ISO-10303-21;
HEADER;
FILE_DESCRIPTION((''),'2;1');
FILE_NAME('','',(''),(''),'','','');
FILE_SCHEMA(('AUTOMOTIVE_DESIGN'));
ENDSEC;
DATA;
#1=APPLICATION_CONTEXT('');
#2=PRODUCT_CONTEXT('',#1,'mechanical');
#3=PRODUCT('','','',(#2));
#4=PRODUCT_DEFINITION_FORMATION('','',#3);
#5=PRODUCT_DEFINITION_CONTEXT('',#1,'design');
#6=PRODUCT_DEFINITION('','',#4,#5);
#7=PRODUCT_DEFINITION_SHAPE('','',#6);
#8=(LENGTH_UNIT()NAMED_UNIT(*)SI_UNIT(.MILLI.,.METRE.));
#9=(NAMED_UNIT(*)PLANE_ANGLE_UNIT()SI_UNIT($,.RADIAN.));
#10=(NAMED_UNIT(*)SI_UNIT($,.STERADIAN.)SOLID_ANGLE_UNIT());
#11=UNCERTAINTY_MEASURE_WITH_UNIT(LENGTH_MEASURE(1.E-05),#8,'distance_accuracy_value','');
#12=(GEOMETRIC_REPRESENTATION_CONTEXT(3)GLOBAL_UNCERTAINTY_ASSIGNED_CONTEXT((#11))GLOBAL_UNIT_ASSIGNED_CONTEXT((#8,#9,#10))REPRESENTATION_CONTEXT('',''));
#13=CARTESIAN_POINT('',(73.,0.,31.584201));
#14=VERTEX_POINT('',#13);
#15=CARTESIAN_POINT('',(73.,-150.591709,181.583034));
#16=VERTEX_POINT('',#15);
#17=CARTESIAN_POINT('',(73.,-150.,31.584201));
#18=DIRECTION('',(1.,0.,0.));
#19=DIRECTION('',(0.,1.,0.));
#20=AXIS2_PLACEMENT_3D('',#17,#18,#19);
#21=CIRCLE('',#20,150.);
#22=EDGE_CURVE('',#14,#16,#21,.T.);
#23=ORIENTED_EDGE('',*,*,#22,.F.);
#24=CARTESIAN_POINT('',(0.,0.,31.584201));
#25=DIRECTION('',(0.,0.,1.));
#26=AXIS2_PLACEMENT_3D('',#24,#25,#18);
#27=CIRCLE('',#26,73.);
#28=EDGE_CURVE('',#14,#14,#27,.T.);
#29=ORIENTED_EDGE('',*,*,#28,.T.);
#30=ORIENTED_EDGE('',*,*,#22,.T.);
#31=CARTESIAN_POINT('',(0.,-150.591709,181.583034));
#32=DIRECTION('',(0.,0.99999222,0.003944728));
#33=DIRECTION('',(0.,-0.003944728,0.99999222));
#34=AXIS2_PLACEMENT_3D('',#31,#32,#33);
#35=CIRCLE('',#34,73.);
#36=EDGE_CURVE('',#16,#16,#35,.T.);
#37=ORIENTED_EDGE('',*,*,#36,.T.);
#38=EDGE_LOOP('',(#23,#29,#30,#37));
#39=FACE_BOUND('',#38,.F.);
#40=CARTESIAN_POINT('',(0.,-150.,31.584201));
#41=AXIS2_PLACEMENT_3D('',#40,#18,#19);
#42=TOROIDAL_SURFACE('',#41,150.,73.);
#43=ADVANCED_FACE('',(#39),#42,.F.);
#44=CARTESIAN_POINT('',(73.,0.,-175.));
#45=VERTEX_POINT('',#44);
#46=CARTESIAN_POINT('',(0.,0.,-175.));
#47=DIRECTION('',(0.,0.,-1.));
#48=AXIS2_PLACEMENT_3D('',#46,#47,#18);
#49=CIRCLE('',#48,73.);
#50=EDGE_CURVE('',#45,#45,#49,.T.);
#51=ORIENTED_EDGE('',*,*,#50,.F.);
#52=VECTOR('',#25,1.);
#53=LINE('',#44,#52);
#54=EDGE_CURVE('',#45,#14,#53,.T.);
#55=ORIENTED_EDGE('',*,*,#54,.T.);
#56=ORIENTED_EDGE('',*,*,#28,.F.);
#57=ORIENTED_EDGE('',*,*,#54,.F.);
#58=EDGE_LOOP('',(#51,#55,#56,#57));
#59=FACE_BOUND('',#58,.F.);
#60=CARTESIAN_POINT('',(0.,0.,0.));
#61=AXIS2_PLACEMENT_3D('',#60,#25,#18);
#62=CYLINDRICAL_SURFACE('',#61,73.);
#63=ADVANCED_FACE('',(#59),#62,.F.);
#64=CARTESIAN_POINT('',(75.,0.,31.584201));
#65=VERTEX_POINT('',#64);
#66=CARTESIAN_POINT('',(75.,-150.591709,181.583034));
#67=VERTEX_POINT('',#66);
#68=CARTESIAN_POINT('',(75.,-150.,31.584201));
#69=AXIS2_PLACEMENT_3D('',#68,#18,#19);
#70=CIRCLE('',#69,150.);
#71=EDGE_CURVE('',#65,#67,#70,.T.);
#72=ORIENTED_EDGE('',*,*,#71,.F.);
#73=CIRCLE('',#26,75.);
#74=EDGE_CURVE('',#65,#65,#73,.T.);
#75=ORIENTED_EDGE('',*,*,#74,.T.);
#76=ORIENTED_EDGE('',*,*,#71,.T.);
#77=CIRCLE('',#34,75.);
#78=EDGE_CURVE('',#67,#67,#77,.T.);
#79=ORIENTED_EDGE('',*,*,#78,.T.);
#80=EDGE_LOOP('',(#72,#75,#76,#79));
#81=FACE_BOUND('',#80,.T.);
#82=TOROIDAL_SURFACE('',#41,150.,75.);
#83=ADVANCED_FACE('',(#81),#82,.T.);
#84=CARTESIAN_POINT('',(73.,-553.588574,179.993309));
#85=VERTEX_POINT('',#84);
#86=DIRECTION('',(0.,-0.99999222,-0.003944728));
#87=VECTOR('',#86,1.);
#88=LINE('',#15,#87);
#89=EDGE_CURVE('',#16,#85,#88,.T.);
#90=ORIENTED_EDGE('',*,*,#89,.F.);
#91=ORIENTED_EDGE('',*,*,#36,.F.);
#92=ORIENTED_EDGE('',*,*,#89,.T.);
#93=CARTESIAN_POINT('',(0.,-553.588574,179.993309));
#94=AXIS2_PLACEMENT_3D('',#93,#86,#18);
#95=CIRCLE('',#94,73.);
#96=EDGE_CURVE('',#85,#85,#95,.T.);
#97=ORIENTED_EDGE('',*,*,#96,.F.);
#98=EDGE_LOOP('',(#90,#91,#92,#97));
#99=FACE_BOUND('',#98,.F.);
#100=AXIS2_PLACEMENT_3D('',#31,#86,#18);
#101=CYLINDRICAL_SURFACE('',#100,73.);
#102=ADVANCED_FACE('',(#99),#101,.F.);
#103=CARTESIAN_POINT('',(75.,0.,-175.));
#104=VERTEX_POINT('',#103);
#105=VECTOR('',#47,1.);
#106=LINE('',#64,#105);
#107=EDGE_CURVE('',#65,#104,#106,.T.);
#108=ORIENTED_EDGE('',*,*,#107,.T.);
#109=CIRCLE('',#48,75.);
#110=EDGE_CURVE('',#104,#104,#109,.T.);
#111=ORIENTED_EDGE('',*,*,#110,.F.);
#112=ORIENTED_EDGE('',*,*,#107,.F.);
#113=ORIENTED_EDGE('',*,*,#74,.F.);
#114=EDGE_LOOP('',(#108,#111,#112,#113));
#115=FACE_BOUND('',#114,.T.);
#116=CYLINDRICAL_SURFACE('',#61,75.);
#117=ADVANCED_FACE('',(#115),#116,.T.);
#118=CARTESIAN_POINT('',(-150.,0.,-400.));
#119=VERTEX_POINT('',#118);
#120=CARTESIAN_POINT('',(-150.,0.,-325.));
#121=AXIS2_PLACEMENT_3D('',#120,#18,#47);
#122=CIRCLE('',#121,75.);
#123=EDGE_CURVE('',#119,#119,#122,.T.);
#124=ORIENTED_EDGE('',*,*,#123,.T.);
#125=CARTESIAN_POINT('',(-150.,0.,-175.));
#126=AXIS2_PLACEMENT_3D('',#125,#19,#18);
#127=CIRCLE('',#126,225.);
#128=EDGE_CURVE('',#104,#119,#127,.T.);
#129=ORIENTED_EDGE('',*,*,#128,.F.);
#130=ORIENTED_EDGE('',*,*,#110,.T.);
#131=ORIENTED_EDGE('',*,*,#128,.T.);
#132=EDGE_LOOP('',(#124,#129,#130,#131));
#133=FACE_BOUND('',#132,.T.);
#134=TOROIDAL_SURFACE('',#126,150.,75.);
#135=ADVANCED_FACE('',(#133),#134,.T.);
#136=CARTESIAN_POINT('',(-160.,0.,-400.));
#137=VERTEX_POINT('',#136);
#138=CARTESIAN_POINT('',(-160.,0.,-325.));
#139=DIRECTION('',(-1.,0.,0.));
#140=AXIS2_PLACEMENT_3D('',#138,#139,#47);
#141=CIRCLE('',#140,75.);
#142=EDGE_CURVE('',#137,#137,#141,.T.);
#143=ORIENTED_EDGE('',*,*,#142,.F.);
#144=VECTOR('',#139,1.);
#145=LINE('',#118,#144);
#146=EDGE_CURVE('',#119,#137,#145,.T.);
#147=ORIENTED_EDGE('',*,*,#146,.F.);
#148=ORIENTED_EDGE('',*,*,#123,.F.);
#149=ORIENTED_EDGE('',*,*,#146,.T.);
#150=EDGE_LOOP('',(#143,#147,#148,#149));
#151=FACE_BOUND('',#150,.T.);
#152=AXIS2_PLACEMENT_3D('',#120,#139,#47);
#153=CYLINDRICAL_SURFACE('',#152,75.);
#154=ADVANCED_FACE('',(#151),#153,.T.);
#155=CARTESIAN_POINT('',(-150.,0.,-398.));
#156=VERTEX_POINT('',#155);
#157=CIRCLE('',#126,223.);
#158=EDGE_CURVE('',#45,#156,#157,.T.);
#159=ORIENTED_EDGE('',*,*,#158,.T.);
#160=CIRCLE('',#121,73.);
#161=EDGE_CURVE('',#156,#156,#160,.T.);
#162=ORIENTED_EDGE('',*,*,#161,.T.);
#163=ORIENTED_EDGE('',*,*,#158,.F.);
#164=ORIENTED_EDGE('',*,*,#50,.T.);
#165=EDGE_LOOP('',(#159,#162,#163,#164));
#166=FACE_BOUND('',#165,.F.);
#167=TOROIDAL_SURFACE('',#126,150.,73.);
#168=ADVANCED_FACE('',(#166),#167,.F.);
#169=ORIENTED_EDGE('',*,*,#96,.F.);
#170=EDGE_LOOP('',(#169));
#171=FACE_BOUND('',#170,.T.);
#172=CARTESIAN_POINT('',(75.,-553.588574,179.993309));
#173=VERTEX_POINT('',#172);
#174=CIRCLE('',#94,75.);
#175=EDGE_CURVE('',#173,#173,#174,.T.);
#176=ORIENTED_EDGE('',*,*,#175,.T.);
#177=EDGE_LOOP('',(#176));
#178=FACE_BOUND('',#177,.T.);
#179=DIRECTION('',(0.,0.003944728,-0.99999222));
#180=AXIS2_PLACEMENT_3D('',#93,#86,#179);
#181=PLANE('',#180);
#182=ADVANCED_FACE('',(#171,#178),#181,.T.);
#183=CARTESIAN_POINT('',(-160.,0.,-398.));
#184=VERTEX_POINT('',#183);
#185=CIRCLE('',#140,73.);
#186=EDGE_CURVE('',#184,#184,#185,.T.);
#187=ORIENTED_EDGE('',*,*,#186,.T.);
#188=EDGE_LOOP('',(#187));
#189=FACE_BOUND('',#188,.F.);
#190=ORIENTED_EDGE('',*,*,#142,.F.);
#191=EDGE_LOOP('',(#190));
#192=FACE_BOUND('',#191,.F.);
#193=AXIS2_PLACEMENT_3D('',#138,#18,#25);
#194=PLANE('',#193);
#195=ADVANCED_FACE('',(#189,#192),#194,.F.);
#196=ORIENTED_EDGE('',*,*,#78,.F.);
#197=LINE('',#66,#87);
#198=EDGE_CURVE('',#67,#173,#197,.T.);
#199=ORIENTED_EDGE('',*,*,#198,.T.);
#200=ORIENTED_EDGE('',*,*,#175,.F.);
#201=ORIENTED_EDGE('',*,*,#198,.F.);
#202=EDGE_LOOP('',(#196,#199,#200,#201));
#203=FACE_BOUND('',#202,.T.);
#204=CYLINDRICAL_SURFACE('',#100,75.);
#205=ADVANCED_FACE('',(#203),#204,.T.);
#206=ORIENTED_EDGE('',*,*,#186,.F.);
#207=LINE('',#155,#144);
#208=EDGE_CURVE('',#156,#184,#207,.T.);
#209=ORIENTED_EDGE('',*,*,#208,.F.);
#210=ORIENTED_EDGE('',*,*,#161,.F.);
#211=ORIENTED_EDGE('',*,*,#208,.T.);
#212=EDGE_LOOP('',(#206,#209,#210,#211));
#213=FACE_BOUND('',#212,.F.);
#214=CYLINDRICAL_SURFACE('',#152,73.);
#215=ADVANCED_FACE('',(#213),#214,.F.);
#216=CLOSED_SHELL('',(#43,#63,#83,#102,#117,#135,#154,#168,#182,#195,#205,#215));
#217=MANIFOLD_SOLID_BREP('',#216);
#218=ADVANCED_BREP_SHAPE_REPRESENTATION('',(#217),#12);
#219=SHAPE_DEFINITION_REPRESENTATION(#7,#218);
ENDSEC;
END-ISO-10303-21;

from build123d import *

# Parameters (mm, degrees)
F1_R        = 75
F1_R_2      = 73
F2_FACE_R   = 75
F2_FACE_R_2 = 73


with BuildPart() as f2:
    # F2: sweep along a path in F0
    with BuildLine(Plane.XZ) as f2_path:
        Line((0, 0), (0, -175))
        ThreePointArc((0, -175), (-43.933982822, -281.066017178), (-150, -325))
        Line((-150, -325), (-160, -325))
    # F1 (on Top) → F2 (sweep)
    with BuildSketch(Plane.XY):
        Circle(F1_R)
        Circle(F1_R_2, mode=Mode.SUBTRACT)
    sweep(path=f2_path.line)

    # F4: sweep along a path in F3
    with BuildLine(Plane.YZ) as f4_path:
        Line((0, 0), (0, 31.5842008631))
        ThreePointArc((0, 31.5842008631), (-44.143390319, 137.8592129159), (-150.5917091579, 181.5830337928))
        Line((-150.5917091579, 181.5830337928), (-553.588573629, 179.9933085219))
    # F2_face (on face) → F4 (sweep)
    with BuildSketch(Plane.XY):
        Circle(F2_FACE_R)
        Circle(F2_FACE_R_2, mode=Mode.SUBTRACT)
    sweep(path=f4_path.line)


solid = f2.part
